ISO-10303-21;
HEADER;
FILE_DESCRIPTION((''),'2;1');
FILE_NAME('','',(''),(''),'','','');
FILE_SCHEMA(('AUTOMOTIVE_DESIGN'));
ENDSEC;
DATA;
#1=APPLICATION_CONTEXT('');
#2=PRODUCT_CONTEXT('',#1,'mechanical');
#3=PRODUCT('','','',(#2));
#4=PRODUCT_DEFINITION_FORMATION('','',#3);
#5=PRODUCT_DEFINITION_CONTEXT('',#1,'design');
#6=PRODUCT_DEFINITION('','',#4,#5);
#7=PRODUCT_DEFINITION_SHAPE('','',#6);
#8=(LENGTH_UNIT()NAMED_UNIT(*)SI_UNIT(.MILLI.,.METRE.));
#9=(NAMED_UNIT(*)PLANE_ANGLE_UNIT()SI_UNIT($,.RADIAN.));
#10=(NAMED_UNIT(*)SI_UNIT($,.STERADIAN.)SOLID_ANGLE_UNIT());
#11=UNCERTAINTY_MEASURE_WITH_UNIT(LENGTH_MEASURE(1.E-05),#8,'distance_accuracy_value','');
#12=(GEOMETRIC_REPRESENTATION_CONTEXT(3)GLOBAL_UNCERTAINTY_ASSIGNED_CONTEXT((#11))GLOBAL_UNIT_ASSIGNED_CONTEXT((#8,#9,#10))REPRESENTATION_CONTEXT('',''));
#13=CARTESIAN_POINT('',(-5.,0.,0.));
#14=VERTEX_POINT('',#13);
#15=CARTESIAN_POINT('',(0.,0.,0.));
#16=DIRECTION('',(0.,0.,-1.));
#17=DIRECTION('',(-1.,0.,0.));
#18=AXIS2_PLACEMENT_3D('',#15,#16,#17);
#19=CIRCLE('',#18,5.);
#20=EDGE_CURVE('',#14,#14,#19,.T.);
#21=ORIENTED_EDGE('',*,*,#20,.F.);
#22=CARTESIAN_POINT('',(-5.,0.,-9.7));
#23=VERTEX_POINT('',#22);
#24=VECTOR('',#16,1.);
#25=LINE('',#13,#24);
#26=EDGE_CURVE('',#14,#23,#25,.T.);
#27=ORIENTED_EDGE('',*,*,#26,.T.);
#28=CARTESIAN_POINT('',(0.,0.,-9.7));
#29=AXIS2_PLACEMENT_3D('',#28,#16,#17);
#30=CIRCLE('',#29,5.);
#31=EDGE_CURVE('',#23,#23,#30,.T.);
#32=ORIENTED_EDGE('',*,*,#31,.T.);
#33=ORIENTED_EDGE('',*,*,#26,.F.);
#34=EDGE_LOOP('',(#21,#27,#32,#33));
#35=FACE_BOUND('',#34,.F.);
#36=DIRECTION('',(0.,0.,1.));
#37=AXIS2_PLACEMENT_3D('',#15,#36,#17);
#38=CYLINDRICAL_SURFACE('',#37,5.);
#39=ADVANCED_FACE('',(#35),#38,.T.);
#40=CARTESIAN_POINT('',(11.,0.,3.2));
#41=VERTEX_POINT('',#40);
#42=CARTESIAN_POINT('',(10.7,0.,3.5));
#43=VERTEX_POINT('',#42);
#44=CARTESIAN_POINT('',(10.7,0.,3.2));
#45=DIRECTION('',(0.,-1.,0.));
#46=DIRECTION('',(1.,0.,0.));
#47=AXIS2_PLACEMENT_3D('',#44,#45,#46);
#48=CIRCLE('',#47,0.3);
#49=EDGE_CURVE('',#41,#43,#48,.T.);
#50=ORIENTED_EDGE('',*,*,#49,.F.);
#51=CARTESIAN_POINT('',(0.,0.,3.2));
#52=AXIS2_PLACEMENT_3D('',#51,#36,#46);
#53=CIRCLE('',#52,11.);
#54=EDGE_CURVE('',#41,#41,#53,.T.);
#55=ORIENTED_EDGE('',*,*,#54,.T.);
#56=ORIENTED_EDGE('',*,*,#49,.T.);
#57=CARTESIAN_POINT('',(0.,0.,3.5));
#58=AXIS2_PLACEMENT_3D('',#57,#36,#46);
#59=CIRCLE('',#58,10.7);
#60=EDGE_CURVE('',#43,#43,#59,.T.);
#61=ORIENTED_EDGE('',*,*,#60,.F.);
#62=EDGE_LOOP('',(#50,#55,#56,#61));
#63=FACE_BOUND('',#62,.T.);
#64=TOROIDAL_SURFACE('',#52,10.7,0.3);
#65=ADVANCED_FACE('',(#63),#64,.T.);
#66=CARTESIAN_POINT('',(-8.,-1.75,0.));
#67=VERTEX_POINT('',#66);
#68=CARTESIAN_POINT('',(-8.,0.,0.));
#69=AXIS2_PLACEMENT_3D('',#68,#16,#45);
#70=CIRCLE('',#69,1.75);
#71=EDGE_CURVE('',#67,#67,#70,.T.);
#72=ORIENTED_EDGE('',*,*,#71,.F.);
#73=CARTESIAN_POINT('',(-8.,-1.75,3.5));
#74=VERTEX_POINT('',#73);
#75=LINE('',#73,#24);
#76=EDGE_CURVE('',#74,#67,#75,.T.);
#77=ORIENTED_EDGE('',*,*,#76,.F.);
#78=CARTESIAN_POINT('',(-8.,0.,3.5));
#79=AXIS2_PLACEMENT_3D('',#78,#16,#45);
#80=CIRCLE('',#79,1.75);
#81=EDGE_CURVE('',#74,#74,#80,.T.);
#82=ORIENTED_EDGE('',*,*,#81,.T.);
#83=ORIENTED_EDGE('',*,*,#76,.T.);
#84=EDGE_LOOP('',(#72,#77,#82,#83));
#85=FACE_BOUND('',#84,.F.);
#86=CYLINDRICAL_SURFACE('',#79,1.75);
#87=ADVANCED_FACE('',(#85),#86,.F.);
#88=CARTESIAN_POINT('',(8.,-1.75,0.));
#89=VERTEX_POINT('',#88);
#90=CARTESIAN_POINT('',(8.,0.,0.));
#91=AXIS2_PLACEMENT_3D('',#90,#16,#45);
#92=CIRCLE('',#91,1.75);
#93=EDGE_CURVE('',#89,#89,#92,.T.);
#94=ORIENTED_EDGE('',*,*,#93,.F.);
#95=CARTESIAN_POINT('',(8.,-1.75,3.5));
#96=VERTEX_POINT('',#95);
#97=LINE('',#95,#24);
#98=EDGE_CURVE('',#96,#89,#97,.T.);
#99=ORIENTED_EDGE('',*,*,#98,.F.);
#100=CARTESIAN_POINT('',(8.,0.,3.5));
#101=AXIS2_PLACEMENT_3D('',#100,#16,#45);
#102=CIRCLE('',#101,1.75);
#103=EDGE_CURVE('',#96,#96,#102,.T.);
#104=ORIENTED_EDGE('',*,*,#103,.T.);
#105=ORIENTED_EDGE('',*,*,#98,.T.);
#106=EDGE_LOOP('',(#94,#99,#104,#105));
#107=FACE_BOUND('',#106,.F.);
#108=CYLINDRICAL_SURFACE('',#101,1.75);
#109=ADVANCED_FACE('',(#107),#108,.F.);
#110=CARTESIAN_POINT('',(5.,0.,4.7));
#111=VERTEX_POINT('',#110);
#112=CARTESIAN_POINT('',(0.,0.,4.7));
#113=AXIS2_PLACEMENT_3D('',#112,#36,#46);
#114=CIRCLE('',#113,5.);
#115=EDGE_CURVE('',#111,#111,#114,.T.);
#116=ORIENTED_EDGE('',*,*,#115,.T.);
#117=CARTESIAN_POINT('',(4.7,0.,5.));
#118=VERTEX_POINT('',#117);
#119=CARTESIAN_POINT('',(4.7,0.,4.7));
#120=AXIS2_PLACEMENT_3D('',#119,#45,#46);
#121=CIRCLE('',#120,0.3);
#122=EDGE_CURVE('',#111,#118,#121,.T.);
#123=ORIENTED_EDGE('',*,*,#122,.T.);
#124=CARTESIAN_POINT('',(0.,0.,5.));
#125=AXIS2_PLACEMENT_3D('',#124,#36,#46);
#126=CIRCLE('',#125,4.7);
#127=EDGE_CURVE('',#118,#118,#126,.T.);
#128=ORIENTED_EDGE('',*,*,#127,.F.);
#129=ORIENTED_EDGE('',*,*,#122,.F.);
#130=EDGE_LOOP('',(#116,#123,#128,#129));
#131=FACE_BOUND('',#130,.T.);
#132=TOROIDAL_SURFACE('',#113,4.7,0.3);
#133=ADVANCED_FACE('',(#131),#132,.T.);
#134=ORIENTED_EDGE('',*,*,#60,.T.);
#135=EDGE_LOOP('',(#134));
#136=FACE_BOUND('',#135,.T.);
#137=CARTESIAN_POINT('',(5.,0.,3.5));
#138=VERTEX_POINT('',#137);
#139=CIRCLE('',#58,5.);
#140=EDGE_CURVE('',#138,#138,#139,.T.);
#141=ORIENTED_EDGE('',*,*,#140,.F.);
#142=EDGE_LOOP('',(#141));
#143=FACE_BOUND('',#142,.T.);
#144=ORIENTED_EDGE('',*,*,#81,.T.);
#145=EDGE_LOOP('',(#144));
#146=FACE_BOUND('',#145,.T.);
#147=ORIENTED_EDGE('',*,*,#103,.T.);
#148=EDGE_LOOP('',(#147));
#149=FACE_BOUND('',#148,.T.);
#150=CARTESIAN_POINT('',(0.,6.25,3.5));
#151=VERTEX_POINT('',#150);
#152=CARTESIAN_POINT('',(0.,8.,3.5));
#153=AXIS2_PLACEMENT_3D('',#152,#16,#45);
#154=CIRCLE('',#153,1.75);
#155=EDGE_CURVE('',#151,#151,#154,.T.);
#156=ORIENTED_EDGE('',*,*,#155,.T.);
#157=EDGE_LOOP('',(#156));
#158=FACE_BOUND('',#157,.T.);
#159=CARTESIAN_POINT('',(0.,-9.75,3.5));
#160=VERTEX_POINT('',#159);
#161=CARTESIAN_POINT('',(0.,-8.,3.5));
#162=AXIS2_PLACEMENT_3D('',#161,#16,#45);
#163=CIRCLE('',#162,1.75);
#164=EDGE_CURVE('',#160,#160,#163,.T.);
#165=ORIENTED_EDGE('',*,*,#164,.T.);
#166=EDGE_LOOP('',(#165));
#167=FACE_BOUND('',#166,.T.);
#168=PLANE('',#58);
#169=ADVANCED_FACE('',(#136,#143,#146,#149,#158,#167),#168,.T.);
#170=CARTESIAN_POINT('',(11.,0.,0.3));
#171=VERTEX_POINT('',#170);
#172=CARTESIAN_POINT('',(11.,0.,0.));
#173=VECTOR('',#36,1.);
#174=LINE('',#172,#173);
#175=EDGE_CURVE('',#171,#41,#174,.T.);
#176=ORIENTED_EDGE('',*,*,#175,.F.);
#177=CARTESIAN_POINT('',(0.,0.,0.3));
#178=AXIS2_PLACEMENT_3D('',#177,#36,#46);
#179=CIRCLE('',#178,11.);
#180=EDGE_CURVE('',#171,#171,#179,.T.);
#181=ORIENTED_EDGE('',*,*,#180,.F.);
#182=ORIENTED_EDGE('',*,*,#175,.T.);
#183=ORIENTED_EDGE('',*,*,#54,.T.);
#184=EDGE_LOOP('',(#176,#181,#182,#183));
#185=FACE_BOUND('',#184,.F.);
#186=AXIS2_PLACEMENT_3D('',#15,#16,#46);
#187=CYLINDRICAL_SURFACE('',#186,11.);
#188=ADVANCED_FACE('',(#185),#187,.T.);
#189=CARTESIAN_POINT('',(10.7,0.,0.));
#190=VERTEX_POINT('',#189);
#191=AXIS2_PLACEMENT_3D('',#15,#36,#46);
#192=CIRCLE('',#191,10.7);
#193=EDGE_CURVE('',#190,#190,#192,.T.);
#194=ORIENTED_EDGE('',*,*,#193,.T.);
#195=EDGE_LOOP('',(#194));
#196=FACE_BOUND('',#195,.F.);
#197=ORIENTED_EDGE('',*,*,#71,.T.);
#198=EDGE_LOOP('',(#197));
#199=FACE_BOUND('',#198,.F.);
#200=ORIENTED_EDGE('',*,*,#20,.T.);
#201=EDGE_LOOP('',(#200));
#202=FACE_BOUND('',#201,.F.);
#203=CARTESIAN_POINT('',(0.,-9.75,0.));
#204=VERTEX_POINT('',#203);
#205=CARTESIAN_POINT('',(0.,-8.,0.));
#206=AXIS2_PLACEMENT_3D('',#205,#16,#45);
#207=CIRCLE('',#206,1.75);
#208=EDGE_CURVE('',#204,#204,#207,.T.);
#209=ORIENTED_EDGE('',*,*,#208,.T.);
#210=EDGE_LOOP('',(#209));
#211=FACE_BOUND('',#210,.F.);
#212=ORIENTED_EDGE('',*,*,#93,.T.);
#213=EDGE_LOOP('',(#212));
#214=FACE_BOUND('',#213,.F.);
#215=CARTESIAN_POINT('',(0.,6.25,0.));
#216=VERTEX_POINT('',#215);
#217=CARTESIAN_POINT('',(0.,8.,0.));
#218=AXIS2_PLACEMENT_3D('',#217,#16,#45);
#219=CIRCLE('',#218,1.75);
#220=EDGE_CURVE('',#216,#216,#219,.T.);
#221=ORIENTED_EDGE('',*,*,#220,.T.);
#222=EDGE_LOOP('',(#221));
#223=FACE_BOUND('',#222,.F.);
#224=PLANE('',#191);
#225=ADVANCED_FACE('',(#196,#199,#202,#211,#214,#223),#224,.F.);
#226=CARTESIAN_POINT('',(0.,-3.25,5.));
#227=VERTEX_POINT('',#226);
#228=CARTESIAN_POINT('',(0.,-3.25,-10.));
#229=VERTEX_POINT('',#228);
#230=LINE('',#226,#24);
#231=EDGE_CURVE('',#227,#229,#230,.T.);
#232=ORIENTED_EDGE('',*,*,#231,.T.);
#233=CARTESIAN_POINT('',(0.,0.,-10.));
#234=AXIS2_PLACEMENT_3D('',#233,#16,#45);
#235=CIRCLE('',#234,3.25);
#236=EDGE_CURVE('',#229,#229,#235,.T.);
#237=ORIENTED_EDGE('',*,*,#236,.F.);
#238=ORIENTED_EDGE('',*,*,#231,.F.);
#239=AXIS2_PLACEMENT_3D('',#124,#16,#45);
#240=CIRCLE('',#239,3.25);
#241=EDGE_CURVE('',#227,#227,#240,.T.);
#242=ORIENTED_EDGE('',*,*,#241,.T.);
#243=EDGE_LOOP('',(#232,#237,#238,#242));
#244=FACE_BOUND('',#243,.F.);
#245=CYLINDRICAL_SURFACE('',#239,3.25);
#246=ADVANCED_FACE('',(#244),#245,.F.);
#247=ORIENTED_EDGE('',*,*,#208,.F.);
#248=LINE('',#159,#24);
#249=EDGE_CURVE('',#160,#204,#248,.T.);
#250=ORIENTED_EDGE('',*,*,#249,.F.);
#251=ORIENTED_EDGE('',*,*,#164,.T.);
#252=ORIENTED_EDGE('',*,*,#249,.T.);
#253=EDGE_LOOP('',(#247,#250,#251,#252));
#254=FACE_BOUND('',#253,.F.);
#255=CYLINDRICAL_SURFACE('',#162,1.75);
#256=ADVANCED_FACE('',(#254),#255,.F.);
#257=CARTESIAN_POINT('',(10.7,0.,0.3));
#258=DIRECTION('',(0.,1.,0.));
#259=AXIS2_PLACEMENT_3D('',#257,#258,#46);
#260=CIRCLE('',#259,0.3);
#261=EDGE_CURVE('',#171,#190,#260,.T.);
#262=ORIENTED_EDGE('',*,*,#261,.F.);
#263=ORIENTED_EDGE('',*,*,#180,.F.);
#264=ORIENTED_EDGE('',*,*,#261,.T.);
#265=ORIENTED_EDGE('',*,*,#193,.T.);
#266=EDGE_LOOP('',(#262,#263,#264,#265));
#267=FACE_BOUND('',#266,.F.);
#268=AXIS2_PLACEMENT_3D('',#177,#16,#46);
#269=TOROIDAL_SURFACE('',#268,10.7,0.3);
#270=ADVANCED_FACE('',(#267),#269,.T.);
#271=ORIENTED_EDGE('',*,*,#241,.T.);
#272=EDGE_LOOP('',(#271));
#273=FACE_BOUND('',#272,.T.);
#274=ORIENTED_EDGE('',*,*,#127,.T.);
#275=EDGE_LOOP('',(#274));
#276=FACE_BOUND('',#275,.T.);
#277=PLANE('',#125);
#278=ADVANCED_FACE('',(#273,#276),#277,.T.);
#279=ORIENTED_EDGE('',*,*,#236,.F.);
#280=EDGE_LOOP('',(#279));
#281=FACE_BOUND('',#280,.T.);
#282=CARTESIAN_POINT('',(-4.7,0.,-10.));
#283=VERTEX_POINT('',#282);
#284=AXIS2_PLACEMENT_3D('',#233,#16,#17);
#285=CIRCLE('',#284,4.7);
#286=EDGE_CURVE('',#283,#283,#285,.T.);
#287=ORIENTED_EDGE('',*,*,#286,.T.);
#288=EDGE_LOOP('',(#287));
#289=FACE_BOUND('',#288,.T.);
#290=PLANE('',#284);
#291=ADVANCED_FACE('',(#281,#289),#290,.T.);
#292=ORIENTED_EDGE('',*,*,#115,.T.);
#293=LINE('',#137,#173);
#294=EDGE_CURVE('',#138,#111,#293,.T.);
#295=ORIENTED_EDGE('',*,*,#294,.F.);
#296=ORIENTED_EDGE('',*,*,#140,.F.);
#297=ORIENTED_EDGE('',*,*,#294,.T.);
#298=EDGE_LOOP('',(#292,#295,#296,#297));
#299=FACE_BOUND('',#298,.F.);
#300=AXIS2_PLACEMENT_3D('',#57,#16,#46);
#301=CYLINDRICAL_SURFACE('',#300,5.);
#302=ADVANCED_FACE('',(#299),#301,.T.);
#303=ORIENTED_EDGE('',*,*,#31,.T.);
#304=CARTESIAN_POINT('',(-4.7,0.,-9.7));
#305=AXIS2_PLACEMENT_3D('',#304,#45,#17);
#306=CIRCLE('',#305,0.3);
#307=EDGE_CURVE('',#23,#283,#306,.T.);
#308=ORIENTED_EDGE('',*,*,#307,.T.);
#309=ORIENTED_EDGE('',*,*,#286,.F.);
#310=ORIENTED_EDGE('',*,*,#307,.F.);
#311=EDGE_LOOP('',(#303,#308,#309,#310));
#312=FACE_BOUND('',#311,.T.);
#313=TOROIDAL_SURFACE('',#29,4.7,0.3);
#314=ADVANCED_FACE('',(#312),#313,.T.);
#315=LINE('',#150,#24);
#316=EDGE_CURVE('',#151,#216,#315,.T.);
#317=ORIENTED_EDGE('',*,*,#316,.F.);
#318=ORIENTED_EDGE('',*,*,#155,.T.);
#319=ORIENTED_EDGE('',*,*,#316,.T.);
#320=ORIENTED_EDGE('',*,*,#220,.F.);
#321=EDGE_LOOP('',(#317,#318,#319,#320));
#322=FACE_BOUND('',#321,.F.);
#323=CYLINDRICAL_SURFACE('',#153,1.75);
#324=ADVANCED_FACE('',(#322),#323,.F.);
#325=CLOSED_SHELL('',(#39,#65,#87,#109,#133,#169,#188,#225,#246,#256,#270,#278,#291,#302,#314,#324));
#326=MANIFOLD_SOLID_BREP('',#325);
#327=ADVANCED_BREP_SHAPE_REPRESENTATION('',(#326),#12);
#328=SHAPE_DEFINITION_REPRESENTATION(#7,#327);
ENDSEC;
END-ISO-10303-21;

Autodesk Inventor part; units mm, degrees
ref_plane "YZ Plane" through (0, 0, 0) normal (1, 0, 0) x (0, 1, 0)
ref_plane "XZ Plane" through (0, 0, 0) normal (0, 1, 0) x (-1, 0, 0)
ref_plane "XY Plane" through (0, 0, 0) normal (0, 0, 1) x (1, 0, 0)
sketch "Esboço1" plane through (0, 0, 0) normal (0, 0, 1) x (1, 0, 0)
  circle A0 centre (0, 0) radius 11
  dimension "d0" = 22
extrude "Extrusão1" add sketch "Esboço1" along normal blind 3.5
sketch "Esboço2" plane through (0, 0, 3.5) normal (0, 0, 1) x (1, 0, 0)
  circle A0 centre (0, 0) radius 5
  dimension "d3" = 10
extrude "Extrusão2" add sketch "Esboço2" along normal blind 1.5
sketch "Esboço3" plane through (0, 0, 0) normal (0, 0, -1) x (-1, 0, 0)
  circle A0 centre (0, 0) radius 5
  dimension "d6" = 10
extrude "Extrusão3" add sketch "Esboço3" along normal blind 10
sketch "Esboço4" plane through (0, 0, 3.5) normal (0, 0, 1) x (1, 0, 0)
  circle A0 centre (0, 0) radius 8 construction
  circle A1 centre (-8, 0) radius 1 construction
  circle A2 centre (0, -8) radius 1 construction
  circle A3 centre (0, 0) radius 8 construction
  circle A4 centre (8, 0) radius 1 construction
  circle A5 centre (0, 0) radius 8 construction
  circle A6 centre (0, 8) radius 1 construction
  circle A7 centre (0, 0) radius 8 construction
  dimension "d9" = 16
  dimension "d10" = 2
  dimension "d13" = 360
hole "Furo1" at (-8, 0, 3.5) at (0, -8, 3.5) at (8, 0, 3.5) at (0, 8, 3.5) direction (0, 0, -1) diameter 3.5 end through all
fillet "Arredondamento1" radius 0.3 4 edges at (-11, 0, 3.5) (-11, 0, 0) (5, 0, -10) (-5, 0, 5)
sketch "Esboço5" plane through (0, 0, 5) normal (0, 0, 1) x (1, 0, 0)
  circle A0 centre (0, 0) radius 1.5 construction
  dimension "d23" = 3
hole "Furo2" at (0, 0, 5) direction (0, 0, -1) diameter 6.5 end through all thread size "TR8x1.5" class "7H" standard "ISO Metric Trapezoidal Threads"
properties part number "CastanhaTR8"
